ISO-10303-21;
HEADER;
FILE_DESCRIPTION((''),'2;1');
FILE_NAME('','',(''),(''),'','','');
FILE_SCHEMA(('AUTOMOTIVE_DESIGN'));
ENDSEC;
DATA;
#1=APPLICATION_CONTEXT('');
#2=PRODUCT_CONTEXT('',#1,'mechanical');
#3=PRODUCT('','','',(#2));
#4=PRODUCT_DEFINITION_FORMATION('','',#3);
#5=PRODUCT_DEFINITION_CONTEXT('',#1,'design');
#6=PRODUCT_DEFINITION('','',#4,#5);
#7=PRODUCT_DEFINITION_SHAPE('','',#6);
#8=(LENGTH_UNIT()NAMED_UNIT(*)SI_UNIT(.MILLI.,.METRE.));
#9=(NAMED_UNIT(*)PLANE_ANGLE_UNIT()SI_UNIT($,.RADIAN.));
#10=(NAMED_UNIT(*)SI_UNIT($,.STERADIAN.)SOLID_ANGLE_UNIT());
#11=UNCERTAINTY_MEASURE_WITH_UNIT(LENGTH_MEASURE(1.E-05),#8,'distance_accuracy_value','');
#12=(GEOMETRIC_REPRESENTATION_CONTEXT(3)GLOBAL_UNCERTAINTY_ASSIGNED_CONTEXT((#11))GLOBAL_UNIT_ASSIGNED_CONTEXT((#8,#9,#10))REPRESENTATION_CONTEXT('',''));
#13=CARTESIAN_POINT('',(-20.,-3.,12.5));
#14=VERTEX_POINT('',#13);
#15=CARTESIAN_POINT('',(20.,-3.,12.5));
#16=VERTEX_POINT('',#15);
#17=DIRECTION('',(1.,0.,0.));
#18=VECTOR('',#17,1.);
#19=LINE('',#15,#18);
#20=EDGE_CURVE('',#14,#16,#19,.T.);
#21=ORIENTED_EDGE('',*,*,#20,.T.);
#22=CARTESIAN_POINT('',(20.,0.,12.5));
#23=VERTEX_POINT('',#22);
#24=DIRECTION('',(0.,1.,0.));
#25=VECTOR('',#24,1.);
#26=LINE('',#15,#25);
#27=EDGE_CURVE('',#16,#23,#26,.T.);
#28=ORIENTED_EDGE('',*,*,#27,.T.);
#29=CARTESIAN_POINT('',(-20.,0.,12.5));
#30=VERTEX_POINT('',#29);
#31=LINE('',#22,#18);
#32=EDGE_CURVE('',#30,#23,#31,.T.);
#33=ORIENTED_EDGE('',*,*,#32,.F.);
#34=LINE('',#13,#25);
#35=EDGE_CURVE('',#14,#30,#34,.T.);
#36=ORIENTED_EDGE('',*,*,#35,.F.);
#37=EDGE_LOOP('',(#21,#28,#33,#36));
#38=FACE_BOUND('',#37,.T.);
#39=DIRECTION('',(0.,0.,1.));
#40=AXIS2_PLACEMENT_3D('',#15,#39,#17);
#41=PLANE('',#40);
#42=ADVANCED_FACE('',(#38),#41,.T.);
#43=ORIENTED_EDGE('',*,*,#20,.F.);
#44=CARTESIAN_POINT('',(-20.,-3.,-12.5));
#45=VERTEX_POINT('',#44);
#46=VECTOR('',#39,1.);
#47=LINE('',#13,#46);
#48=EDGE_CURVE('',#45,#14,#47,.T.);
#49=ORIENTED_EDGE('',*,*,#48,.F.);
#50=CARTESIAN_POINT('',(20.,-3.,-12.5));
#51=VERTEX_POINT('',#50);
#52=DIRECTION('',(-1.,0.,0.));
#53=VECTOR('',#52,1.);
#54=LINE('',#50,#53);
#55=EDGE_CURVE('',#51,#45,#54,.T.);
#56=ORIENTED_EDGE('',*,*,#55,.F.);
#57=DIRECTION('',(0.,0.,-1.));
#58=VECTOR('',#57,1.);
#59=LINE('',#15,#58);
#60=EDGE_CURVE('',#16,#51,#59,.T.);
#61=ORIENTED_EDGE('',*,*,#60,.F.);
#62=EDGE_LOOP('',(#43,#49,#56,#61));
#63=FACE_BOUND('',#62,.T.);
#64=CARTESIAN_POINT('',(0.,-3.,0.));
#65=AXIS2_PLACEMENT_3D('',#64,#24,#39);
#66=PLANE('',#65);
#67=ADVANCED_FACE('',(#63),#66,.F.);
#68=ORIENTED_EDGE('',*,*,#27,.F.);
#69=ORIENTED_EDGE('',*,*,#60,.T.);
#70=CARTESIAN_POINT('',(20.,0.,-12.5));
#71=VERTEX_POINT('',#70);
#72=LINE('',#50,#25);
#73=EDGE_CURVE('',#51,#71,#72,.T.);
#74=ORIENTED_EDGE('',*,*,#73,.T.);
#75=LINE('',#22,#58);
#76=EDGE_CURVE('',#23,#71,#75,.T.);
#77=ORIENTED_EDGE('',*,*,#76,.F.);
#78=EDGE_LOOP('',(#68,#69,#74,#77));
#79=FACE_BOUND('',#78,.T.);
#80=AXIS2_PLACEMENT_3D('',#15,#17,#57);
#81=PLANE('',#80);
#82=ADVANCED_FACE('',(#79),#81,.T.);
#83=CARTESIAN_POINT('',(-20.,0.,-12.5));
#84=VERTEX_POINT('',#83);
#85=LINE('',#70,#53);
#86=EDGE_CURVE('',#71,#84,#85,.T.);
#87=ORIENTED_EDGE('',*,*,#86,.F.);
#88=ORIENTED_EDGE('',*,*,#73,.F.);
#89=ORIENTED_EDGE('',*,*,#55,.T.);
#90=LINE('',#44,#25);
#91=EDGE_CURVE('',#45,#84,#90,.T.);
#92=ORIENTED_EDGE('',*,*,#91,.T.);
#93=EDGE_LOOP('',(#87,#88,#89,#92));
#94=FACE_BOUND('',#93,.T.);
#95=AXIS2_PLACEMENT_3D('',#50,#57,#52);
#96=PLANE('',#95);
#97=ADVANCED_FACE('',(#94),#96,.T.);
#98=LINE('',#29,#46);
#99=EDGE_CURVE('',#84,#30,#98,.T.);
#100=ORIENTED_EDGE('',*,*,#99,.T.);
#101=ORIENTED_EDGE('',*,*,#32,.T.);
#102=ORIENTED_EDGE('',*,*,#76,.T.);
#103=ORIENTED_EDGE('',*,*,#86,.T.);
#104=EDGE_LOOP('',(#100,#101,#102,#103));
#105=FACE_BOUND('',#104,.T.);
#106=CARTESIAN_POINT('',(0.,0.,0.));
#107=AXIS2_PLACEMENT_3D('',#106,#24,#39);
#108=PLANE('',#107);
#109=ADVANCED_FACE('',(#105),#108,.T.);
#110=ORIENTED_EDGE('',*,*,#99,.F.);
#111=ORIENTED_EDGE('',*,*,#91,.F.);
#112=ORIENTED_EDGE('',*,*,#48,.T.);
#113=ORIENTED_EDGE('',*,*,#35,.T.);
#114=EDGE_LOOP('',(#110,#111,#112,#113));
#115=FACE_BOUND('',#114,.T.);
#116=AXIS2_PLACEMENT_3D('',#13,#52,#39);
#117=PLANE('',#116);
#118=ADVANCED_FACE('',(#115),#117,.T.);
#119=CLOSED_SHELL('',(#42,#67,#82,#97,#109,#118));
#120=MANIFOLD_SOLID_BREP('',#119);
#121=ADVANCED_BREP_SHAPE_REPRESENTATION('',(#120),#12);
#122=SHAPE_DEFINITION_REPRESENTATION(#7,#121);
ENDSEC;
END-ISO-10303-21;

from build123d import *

# Parameters (mm, degrees)
SKETCH2_W           = 40
SKETCH2_H           = 25
BOSS_EXTRUDE1_DEPTH = 3


with BuildPart() as part:
    # Sketch2 → Boss-Extrude1 (new body)
    with BuildSketch(Plane(origin=(0, 0, 0), x_dir=(1, 0, 0), z_dir=(0, 1, 0))):
        Rectangle(SKETCH2_W, SKETCH2_H)
    extrude(amount=-BOSS_EXTRUDE1_DEPTH)


solid = part.part
